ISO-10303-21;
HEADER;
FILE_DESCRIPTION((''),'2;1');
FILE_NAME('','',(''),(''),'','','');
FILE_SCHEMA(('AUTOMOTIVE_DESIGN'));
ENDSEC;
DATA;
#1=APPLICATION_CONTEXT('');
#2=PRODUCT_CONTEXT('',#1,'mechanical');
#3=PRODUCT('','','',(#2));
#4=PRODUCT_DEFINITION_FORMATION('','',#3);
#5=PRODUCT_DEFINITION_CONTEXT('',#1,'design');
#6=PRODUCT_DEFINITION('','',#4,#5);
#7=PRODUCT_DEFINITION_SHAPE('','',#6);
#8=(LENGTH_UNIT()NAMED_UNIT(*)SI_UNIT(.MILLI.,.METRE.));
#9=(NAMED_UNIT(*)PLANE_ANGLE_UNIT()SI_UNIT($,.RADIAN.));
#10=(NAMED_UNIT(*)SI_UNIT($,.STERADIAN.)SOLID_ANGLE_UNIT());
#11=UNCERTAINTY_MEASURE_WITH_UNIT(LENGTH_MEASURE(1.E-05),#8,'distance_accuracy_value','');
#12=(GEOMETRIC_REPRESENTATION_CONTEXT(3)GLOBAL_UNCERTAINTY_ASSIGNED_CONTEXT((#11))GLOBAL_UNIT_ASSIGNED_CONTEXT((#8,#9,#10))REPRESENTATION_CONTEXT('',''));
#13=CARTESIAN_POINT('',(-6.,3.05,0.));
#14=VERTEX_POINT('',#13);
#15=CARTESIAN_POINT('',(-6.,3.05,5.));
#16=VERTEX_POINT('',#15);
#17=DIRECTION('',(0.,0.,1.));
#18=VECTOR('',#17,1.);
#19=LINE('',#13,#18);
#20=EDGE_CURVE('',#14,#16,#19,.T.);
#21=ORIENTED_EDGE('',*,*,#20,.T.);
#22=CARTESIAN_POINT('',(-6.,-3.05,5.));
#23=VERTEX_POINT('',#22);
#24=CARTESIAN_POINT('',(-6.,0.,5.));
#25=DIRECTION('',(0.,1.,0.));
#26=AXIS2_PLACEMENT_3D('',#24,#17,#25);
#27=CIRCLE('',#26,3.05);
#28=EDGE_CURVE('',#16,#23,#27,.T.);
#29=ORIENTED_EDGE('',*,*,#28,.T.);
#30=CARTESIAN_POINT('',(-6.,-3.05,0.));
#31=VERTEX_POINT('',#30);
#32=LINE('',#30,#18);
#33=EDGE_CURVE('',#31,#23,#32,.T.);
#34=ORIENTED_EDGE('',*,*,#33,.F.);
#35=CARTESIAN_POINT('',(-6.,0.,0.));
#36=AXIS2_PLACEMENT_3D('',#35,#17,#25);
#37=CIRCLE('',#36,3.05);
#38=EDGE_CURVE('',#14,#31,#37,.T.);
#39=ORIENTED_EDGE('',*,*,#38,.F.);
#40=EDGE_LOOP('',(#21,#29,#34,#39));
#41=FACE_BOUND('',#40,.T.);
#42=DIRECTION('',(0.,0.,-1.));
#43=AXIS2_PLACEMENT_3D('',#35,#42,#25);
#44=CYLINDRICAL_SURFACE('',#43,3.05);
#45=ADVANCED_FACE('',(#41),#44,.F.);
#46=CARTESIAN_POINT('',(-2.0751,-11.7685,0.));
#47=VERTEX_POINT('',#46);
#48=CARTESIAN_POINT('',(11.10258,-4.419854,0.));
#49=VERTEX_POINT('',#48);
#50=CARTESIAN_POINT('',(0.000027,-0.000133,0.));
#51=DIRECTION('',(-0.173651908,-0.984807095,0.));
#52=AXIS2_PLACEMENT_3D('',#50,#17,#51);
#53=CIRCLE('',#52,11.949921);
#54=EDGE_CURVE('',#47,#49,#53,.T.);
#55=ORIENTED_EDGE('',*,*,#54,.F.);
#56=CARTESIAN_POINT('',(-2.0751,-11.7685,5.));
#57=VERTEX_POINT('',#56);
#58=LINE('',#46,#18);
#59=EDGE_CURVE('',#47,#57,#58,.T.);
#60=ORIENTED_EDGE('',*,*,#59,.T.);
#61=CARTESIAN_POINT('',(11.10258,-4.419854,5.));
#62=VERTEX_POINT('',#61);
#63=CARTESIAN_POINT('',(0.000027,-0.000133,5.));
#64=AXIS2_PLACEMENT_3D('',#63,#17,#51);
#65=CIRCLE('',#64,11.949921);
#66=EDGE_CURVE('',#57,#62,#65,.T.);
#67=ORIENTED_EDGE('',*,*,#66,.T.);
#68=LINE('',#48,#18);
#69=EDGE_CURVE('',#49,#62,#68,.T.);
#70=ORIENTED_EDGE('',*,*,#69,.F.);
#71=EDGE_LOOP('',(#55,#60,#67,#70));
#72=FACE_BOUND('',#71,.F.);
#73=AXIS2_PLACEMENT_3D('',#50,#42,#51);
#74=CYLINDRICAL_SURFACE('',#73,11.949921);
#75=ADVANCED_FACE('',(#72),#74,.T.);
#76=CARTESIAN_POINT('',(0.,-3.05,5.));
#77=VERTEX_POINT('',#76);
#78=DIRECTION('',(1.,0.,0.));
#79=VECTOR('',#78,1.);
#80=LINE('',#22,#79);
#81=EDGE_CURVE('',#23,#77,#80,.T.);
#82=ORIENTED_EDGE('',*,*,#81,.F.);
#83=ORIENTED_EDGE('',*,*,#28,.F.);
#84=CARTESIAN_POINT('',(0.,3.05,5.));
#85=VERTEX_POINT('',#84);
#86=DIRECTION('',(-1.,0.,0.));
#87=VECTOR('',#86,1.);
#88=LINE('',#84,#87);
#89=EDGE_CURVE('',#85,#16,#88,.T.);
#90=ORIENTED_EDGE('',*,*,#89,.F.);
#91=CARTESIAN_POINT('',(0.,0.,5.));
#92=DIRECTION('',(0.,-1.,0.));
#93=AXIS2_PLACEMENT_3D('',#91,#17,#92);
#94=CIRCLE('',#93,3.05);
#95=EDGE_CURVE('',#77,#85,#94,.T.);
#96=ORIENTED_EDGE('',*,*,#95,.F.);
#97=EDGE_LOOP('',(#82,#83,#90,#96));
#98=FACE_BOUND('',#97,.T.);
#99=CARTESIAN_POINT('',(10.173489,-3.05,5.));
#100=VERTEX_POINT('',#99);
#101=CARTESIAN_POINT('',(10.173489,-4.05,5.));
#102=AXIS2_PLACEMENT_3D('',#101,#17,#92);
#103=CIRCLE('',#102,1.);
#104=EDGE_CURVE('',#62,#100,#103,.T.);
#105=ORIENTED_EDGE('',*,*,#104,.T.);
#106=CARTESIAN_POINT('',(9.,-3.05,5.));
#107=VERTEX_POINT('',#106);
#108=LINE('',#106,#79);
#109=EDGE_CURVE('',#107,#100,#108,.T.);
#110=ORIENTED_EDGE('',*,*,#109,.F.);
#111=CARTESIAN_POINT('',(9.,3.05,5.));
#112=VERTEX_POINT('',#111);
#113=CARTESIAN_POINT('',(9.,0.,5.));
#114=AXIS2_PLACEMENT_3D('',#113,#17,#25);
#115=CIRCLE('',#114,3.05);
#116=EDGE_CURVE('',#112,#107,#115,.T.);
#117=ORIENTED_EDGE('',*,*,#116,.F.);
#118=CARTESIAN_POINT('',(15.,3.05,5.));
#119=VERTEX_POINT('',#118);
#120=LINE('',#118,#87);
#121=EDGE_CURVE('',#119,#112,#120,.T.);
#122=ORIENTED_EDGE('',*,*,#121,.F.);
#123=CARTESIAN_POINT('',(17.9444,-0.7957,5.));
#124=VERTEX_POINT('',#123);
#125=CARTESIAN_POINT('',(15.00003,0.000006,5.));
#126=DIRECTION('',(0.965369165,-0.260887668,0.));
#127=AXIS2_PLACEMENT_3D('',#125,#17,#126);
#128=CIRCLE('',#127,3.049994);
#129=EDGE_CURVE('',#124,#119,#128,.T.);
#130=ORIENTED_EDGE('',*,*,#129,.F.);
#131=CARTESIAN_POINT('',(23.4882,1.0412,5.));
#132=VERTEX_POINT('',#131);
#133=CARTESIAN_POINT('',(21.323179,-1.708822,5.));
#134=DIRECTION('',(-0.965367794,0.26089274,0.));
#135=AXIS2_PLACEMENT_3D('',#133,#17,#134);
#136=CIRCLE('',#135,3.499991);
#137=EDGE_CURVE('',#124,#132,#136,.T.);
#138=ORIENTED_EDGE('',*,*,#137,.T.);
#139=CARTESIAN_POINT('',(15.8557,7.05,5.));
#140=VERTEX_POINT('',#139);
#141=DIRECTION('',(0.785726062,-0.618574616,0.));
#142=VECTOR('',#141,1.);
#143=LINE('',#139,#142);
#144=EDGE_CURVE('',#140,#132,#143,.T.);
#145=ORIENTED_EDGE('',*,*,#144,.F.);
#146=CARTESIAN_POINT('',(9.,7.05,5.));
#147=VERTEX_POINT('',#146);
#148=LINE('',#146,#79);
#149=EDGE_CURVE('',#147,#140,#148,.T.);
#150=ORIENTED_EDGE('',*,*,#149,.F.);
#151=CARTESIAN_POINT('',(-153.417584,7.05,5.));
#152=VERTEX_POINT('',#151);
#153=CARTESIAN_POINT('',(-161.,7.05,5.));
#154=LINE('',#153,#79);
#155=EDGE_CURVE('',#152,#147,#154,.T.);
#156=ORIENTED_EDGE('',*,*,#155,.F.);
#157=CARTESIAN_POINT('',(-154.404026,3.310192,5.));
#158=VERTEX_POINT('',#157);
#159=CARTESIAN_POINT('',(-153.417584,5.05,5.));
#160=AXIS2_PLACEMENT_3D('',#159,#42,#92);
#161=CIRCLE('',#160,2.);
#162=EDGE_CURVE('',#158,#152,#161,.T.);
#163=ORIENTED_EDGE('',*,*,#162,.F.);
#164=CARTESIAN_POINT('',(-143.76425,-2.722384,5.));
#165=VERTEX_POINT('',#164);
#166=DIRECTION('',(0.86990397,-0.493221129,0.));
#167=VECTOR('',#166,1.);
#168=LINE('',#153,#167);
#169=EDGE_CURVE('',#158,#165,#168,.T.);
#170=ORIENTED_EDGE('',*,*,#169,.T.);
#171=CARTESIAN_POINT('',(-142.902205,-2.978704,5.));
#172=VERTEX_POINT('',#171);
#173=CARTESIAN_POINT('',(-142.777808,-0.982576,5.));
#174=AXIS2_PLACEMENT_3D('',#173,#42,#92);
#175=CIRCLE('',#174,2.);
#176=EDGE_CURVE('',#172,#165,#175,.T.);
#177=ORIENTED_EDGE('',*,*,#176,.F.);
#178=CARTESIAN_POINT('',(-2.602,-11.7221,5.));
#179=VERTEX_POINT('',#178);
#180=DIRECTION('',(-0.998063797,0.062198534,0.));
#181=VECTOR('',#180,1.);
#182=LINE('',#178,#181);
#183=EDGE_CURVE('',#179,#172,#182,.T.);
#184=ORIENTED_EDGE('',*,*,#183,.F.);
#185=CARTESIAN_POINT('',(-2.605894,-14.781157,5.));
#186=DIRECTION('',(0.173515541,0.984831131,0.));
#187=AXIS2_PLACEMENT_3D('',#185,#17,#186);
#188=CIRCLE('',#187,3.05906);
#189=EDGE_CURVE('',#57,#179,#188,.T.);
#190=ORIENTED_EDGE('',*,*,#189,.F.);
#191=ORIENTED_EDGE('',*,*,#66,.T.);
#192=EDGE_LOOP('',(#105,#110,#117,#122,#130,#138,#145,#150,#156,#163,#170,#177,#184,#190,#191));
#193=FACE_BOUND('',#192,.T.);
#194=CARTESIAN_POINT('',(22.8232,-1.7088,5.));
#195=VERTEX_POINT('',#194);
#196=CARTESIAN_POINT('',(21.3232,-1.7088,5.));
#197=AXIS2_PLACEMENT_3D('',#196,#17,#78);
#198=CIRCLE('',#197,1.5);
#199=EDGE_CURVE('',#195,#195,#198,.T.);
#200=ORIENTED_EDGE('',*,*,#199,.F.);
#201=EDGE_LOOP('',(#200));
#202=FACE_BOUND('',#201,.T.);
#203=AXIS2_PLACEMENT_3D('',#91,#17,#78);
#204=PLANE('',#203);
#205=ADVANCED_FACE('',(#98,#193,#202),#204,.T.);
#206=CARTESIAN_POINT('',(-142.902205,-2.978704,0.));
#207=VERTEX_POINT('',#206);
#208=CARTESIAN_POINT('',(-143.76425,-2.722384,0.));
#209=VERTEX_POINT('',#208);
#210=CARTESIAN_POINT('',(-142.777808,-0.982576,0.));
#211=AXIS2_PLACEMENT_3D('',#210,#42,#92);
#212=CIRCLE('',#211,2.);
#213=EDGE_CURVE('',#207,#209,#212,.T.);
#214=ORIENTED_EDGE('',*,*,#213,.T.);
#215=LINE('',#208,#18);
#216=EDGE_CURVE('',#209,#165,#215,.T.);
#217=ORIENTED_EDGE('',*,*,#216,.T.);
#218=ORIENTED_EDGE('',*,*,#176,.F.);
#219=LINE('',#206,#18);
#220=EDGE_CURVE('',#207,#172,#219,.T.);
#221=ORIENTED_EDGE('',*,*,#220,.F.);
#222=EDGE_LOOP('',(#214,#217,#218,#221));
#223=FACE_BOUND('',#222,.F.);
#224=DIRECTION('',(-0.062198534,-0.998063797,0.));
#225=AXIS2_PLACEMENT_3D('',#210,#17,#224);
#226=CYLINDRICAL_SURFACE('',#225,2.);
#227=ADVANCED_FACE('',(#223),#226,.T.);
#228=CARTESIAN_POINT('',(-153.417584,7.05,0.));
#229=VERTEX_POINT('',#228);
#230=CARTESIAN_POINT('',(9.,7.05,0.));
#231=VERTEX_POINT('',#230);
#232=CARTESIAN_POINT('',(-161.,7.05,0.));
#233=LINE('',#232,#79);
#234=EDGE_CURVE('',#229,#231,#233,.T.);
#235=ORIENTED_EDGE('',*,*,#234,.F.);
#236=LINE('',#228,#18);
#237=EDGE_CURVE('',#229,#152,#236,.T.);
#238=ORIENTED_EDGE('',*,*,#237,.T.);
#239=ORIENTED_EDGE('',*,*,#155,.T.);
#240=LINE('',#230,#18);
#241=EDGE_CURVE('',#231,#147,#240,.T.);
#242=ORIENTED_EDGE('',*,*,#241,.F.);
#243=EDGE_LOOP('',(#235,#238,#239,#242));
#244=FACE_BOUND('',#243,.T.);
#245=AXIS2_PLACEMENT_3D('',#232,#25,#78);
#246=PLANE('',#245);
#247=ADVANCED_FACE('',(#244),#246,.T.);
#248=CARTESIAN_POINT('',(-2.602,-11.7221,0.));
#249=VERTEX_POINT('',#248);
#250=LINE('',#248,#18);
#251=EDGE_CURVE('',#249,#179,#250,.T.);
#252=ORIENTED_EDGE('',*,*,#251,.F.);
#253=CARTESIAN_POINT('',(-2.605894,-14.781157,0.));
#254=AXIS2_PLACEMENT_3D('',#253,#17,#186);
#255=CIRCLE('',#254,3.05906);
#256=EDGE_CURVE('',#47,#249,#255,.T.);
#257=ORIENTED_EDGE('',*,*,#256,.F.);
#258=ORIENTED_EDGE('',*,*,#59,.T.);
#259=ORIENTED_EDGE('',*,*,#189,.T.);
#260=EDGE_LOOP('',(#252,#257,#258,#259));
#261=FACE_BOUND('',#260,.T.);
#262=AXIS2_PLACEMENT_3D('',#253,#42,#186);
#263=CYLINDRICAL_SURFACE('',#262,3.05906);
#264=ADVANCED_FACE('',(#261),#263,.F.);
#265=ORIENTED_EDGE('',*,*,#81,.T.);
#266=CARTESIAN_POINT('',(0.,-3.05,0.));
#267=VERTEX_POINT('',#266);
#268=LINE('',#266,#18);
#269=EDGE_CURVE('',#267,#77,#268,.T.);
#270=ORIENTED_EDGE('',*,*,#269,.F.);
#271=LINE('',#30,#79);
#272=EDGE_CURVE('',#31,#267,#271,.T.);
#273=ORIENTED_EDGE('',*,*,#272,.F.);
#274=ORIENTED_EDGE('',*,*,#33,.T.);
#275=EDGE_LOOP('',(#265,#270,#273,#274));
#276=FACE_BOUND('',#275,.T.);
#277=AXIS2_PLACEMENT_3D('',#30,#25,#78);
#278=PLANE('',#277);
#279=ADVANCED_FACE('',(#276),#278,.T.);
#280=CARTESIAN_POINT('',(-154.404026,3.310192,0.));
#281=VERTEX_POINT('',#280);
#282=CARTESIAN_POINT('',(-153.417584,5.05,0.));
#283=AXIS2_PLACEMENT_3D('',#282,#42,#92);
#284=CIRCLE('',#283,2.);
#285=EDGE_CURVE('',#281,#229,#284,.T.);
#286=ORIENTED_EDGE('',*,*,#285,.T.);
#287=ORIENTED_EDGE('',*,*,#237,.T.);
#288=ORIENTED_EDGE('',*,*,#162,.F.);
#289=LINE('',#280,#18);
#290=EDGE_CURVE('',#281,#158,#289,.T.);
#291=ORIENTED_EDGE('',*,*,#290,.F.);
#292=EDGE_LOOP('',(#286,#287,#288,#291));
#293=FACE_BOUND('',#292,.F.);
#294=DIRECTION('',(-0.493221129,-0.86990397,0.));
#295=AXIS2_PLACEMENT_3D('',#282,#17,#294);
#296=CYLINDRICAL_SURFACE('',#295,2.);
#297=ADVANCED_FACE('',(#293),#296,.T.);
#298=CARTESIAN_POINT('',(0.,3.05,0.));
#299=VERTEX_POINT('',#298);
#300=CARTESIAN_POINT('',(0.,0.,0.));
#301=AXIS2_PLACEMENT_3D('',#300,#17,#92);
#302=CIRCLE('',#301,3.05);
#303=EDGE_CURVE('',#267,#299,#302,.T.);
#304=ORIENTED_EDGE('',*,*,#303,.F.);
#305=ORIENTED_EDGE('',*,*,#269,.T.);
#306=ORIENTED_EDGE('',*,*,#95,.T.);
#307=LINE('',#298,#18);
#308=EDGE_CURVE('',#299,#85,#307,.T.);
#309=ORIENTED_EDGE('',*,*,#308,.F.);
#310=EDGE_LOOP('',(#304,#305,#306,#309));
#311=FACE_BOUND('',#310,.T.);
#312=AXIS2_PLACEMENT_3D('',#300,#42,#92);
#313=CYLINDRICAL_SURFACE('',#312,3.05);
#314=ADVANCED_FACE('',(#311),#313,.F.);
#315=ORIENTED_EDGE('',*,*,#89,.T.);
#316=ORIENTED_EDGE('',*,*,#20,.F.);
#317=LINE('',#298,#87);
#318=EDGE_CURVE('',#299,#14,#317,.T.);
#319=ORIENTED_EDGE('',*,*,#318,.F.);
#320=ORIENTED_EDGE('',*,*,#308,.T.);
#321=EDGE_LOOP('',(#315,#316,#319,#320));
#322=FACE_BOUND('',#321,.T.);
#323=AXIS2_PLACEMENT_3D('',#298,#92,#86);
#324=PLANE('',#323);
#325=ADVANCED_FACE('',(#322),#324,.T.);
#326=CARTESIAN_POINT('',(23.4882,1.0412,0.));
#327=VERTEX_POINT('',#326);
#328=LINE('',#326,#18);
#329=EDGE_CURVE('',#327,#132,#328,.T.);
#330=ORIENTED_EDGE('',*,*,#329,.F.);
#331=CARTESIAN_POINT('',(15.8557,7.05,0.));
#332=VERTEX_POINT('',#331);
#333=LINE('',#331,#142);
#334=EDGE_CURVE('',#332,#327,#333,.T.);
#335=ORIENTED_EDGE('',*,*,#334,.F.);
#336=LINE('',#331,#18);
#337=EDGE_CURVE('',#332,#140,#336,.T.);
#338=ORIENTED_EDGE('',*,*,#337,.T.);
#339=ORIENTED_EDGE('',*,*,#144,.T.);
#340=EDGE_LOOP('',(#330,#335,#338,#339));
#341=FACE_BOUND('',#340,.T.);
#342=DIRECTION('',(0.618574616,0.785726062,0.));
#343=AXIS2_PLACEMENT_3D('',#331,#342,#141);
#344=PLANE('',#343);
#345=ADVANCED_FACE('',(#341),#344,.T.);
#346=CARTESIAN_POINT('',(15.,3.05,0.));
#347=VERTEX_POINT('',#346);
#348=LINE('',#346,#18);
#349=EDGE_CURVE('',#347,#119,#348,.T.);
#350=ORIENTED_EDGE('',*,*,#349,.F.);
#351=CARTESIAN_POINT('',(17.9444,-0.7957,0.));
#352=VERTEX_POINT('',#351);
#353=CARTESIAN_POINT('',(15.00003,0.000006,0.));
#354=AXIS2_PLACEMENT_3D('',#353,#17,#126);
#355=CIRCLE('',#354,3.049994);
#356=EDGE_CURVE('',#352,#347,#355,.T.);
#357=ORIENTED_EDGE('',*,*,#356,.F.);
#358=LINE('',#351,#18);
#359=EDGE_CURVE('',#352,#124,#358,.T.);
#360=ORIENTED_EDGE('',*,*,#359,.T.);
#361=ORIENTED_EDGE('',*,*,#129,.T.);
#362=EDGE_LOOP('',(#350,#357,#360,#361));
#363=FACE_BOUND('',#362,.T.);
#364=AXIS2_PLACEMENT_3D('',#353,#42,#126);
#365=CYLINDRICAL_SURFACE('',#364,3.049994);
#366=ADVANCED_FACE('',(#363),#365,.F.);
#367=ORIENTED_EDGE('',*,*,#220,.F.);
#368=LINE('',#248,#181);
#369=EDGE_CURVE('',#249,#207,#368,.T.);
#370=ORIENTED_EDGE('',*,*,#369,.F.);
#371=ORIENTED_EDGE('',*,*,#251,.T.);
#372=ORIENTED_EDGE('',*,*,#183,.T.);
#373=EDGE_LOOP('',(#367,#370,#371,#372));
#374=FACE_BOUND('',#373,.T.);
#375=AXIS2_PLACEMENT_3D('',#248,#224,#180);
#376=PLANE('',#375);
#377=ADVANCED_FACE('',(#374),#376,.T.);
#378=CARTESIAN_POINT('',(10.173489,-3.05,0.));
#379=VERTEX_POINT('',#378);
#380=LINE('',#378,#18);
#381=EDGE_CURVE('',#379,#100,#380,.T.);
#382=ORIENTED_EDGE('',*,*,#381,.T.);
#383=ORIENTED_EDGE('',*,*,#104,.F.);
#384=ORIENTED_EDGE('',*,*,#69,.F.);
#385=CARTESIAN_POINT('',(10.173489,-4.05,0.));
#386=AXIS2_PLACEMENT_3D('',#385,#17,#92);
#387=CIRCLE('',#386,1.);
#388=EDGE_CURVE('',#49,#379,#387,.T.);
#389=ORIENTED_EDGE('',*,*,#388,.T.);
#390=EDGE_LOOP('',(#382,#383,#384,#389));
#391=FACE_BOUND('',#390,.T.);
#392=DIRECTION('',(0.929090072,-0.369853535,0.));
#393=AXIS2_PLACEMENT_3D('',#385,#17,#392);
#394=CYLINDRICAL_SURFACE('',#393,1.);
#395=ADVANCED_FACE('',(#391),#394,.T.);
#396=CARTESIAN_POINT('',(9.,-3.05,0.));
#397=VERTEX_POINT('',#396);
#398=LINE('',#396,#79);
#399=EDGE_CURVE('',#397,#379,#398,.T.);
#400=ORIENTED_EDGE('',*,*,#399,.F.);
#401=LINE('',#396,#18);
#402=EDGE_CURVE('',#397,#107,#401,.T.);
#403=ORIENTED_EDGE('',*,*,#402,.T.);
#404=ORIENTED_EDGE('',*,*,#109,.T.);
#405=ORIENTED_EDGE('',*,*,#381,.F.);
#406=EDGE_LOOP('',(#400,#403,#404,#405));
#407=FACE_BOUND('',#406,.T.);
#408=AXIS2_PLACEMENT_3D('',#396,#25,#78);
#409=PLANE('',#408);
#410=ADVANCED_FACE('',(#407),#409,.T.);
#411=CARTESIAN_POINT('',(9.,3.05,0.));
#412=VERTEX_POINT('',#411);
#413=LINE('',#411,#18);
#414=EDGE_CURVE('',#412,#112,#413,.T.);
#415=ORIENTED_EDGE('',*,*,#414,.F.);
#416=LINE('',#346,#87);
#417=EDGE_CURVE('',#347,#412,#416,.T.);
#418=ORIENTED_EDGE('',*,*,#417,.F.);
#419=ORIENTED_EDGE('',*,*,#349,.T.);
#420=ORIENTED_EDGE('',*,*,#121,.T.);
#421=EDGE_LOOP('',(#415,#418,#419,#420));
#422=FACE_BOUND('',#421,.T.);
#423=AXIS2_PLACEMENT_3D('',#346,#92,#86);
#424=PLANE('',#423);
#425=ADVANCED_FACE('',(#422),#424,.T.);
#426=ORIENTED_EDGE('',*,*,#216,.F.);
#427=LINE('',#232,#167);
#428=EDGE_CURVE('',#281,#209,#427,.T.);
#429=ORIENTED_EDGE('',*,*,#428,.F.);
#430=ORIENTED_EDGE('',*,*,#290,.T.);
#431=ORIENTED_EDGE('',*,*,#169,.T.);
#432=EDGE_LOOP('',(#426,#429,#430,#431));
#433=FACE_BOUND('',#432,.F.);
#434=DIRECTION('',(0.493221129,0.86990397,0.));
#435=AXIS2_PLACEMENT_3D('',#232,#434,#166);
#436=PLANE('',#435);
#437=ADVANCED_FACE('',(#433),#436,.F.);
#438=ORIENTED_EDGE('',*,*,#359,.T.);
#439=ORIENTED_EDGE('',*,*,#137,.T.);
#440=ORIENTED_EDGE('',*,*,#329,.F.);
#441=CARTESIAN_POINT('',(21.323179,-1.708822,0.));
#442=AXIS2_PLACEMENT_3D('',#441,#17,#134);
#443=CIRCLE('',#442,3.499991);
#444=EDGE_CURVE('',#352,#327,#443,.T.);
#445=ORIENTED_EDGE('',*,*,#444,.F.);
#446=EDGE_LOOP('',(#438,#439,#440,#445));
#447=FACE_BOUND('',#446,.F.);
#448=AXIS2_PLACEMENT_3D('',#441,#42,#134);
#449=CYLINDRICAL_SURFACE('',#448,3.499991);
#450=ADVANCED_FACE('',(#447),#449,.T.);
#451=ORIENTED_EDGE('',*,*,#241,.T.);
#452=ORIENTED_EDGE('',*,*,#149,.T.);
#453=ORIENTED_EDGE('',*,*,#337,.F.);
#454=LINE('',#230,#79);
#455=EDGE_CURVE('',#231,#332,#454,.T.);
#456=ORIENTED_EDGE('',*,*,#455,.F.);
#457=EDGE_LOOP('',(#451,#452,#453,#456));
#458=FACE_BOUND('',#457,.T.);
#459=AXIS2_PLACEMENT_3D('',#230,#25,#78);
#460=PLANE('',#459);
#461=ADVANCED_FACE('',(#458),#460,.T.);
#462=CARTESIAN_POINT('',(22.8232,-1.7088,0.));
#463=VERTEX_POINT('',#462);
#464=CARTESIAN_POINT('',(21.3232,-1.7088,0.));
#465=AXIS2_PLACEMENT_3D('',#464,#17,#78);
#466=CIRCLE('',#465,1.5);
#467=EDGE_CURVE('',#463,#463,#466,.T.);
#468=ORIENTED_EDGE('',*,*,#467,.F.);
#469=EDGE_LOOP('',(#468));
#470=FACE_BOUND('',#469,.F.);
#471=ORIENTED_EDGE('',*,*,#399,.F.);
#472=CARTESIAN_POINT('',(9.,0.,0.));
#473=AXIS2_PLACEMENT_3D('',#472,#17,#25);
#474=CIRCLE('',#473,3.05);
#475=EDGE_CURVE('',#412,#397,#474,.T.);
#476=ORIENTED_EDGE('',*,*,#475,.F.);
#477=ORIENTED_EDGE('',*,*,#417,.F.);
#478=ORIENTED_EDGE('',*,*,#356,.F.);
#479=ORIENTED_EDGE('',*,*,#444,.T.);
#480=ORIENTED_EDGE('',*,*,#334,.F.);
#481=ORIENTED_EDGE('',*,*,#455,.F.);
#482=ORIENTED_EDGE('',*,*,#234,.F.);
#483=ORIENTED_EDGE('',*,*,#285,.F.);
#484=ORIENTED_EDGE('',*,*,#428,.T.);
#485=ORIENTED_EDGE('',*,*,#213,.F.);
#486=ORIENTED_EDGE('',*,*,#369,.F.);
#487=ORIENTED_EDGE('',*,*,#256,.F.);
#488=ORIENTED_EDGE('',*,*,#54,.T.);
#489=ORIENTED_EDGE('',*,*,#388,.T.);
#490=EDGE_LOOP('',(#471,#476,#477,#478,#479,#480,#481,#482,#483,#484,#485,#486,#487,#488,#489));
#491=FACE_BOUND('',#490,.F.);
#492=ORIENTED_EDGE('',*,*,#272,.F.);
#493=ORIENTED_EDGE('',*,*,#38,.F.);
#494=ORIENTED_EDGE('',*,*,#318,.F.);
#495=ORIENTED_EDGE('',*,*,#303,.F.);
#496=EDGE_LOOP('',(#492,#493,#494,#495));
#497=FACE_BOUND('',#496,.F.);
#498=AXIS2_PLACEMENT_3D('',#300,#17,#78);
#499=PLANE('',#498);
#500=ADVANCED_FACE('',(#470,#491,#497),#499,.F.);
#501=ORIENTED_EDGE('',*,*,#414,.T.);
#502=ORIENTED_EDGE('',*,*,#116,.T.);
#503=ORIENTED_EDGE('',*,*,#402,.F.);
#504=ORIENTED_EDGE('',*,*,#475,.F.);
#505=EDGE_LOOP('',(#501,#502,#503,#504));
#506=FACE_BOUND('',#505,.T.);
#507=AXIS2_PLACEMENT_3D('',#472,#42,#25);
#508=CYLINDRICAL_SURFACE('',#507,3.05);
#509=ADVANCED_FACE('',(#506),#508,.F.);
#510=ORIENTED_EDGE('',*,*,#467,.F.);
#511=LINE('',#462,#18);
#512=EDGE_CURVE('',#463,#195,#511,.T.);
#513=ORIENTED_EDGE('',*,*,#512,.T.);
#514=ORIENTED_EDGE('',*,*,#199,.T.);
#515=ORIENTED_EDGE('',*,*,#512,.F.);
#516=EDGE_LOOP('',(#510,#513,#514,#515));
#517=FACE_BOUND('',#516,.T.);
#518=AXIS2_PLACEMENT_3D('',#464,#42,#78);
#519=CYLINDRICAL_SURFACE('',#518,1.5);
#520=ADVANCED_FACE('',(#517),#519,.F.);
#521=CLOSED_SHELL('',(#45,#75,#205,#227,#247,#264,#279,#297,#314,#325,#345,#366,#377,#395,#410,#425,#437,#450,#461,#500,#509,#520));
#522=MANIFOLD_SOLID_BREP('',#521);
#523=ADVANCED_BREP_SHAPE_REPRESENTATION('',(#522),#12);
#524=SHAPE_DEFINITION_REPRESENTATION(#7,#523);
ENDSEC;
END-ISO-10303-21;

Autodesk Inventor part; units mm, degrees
ref_plane "YZ Plane" through (0, 0, 0) normal (1, 0, 0) x (0, 1, 0)
ref_plane "XZ Plane" through (0, 0, 0) normal (0, 1, 0) x (-1, 0, 0)
ref_plane "XY Plane" through (0, 0, 0) normal (0, 0, 1) x (1, 0, 0)
sketch "スケッチ1" plane through (0, 0, 0) normal (0, 0, 1) x (1, 0, 0)
  arc A0 (-2.6047, -14.7721) -> (15, 0) centre (0, 0) ccw construction
  arc A1 (-2.0751, -11.7685) -> (11.5542, -3.05) centre (0, 0) ccw
  arc A2 (-2.0751, -11.7685) -> (-2.602, -11.7221) centre (-2.6047, -14.7721) ccw
  line L0 (0, 0) -> (-6, 0) construction
  line L1 (0, 3.05) -> (-6, 3.05)
  line L2 (-6, -3.05) -> (0, -3.05)
  arc A3 (0, -3.05) -> (0, 3.05) centre (0, 0) ccw
  arc A4 (-6, 3.05) -> (-6, -3.05) centre (-6, 0) ccw
  line L3 (15, 0) -> (9, 0) construction
  line L4 (15, 3.05) -> (9, 3.05)
  arc A5 (9, 3.05) -> (9, -3.05) centre (9, 0) ccw
  line L5 (-161, 7.05) -> (9, 7.05)
  line L6 (-161, 7.05) -> (-143.3628, -2.95)
  line L7 (-2.602, -11.7221) -> (-143.3628, -2.95)
  arc A6 (17.9444, -0.7957) -> (15, 3.05) centre (15, 0) ccw
  line L8 (9, -3.05) -> (11.5542, -3.05)
  line L9 (14.6866, -3.05) -> (14.3582, -3.05)
  circle A7 centre (21.3232, -1.7088) radius 1.5
  arc A8 (17.9444, -0.7957) -> (23.4882, 1.0412) centre (21.3232, -1.7088) ccw
  line L10 (9, 7.05) -> (15.8557, 7.05)
  line L11 (15.8557, 7.05) -> (23.4882, 1.0412)
  point P0 (-3, 0)
  point P1 (12, 0)
  dimension "d0" = 15
  dimension "d1" = 6.1
  dimension "d2" = 6
  dimension "d3" = 6.1
  dimension "d4" = 6
  dimension "d5" = 6.1
  dimension "d6" = 100
  dimension "d8" = 4
  dimension "d9" = 10
  dimension "d17" = 3
  dimension "d19" = 2
  dimension "d20" = 170
extrude "押し出し1" add sketch "スケッチ1" along normal blind 5
fillet "フィレット1" radius 2 2 edges at (-161, 7.05, 2.5) (-143.3628, -2.95, 2.5)
fillet "フィレット3" radius 1 1 edges at (11.5542, -3.05, 2.5)
properties part number "ウイング仮" material "ポリカーボネート、クリア"
